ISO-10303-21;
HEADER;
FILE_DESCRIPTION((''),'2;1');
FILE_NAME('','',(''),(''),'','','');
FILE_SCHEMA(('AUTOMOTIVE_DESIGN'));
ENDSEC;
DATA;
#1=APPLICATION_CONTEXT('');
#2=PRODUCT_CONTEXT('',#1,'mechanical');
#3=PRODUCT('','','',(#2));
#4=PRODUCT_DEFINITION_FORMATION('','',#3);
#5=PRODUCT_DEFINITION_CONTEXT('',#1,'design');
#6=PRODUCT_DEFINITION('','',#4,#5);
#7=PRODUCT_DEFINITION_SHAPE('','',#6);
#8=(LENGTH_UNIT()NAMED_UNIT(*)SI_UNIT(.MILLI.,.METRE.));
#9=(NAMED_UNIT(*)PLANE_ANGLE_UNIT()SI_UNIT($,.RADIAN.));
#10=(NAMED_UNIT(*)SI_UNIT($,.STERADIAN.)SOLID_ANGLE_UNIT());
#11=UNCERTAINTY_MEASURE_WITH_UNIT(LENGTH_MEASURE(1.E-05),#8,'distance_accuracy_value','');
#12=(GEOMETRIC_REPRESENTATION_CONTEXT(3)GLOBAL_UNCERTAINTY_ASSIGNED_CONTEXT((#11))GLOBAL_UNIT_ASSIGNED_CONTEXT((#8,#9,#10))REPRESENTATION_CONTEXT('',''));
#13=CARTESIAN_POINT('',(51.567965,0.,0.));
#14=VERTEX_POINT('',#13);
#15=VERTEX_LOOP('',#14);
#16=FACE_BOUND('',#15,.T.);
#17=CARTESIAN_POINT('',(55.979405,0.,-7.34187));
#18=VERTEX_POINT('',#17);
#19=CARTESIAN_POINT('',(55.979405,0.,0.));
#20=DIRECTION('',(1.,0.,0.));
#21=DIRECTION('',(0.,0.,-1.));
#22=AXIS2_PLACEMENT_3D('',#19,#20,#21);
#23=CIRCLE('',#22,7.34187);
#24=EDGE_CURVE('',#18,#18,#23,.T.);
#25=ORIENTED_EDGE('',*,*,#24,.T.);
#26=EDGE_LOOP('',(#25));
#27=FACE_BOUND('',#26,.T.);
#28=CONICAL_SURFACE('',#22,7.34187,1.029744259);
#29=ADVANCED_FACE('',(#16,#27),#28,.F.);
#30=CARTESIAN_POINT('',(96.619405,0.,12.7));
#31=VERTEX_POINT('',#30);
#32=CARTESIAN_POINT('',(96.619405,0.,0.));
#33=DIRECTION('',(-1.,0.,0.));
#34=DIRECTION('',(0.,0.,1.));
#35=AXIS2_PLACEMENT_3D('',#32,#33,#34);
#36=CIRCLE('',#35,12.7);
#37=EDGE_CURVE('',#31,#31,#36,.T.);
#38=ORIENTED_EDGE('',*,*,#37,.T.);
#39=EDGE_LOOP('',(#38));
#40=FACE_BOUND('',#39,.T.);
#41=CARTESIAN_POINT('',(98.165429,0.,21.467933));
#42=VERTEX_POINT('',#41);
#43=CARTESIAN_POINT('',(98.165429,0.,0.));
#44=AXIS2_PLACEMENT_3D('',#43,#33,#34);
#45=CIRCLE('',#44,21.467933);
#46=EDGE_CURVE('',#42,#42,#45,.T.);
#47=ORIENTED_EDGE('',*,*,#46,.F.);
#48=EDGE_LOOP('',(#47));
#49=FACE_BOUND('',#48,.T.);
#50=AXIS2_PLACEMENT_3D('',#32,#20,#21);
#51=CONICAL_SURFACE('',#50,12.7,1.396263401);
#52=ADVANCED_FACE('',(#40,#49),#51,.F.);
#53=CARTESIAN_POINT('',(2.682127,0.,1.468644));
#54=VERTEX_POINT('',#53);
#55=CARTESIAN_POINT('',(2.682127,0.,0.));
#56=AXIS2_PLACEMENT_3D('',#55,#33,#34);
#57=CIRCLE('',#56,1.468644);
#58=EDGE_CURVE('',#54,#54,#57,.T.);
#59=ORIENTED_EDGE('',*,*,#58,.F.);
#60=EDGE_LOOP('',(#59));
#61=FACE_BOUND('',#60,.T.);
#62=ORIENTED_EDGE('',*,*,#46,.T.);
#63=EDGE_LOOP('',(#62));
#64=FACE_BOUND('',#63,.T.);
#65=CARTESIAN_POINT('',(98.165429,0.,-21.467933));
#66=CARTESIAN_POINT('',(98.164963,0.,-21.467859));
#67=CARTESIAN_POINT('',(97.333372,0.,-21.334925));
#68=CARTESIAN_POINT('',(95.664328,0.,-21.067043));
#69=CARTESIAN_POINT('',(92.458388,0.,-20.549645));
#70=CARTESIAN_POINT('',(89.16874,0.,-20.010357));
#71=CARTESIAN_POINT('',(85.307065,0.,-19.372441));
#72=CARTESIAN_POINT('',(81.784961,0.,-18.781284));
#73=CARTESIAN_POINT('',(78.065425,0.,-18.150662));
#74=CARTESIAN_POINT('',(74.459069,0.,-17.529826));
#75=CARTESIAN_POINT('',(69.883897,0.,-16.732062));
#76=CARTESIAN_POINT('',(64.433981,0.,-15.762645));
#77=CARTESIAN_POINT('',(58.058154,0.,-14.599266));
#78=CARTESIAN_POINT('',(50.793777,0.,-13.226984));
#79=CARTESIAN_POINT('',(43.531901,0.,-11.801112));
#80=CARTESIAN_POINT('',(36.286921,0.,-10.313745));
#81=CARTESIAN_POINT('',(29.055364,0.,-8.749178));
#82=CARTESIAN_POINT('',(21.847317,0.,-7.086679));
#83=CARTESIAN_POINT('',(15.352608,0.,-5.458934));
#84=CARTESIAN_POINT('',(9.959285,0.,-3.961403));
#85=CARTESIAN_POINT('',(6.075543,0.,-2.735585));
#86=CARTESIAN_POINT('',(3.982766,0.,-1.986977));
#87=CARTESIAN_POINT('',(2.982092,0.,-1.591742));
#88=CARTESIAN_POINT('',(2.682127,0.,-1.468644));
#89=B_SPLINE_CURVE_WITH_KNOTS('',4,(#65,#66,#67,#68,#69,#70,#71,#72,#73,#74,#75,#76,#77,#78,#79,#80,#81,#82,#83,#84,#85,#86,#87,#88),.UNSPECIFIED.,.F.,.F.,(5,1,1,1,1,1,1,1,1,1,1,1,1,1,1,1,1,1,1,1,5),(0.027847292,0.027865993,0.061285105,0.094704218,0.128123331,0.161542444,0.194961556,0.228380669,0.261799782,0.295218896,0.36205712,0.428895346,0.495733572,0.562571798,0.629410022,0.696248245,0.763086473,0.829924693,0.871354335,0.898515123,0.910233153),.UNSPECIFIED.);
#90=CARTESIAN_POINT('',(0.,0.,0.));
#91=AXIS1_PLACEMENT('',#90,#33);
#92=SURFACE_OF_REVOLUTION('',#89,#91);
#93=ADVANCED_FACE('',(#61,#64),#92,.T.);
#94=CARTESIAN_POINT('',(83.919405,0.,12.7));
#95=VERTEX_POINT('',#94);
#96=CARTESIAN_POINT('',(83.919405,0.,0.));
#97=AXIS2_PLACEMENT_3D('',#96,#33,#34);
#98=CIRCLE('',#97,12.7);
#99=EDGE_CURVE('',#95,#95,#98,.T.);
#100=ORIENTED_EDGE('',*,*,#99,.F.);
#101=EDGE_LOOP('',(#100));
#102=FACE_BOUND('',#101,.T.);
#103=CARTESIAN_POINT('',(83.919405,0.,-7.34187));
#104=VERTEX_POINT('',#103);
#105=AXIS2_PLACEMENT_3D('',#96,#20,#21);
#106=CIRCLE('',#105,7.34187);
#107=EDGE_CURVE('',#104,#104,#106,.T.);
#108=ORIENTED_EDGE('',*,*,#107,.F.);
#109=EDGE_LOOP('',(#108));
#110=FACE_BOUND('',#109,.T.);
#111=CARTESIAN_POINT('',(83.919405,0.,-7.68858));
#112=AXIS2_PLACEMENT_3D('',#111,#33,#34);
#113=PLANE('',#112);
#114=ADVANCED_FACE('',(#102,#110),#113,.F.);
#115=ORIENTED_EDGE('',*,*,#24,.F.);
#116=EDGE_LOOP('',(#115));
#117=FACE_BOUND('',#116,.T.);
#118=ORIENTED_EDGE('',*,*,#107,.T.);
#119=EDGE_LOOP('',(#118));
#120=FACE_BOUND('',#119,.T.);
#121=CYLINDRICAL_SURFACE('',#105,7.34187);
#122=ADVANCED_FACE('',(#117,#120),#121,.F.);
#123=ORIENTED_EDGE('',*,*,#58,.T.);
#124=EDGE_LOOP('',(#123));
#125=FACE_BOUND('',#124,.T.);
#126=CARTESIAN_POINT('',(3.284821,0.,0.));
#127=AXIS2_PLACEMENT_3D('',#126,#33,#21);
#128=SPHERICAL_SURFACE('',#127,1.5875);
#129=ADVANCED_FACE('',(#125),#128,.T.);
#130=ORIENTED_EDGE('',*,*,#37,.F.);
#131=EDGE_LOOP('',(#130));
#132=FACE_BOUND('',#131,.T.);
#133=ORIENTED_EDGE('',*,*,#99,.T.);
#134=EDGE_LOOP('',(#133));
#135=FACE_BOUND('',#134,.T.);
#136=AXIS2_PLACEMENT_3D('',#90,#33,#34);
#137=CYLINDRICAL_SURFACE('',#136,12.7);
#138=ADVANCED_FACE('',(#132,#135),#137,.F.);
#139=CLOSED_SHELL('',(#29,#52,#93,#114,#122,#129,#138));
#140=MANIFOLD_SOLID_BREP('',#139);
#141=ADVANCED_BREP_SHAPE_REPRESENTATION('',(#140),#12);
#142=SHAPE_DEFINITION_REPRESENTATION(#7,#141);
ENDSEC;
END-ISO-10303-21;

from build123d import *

# Parameters (mm, degrees)
TAPPED_HOLE_FOR_9_16_12_HELICOIL1_D     = 14.68374
TAPPED_HOLE_FOR_9_16_12_HELICOIL1_DEPTH = 27.94
TAPPED_HOLE_FOR_9_16_12_HELICOIL1_TIP   = 4.411440553


with BuildPart() as part:
    # Sketch1 → Revolve2 (revolve)
    with BuildSketch(Plane(origin=(0, 0, 0), x_dir=(1, 0, 0), z_dir=(0, 1, 0))):
        with BuildLine():
            Line((1.697321091, 0), (45.819405393, 0))
            Line((45.819405393, 0), (83.919405393, 0))
            Line((83.919405393, 0), (83.919405393, 7.68858))
            Line((83.919405393, 7.68858), (83.919405393, 12.7))
            Line((83.919405393, 12.7), (96.619405393, 12.7))
            Line((96.619405393, 12.7), (98.165428581, 21.4679332))
            add(Edge.make_bspline(
                [(2.682127148, 1.468644362), (2.982092127, 1.591742283), (3.982765764, 1.986976913), (6.075542743, 2.735585346), (9.959285205, 3.961402854), (15.35260807, 5.458934046), (21.847317263, 7.086678944), (29.055363889, 8.749177841), (36.286920774, 10.313744718), (43.531901048, 11.801111844), (50.793776988, 13.226984496), (58.058153921, 14.599266319), (64.433980883, 15.762645369), (69.883896781, 16.732062359), (74.459068804, 17.529825957), (78.065425347, 18.150661812), (81.784961377, 18.781283529), (85.307065103, 19.372441088), (89.168740248, 20.010357493), (92.45838759, 20.54964543), (95.664328261, 21.067043036), (97.333372349, 21.334925019), (98.164963492, 21.467858845), (98.165428581, 21.4679332)],
                knots=[0.027847292, 0.027847292, 0.027847292, 0.027847292, 0.027847292, 0.039565322, 0.06672611, 0.108155752, 0.174993972, 0.2418322, 0.308670423, 0.375508647, 0.442346873, 0.509185099, 0.576023325, 0.642861549, 0.676280662, 0.709699776, 0.743118888, 0.776538001, 0.809957114, 0.843376227, 0.87679534, 0.910214452, 0.910233153, 0.910233153, 0.910233153, 0.910233153, 0.910233153], degree=4))
            ThreePointArc((2.682127148, 1.468644362), (1.966311917, 0.884132234), (1.697321091, 0))
        make_face()
    revolve(axis=Axis((0, 0, 0), (1, 0, 0)))

    # Tapped Hole for 9/16-12 Helicoil1
    with Locations(Plane(origin=(83.919405393, 0, 0), x_dir=(0, 0, -1), z_dir=(1, 0, 0))):
        with Locations((0, 0)):
            Hole(TAPPED_HOLE_FOR_9_16_12_HELICOIL1_D / 2, depth=TAPPED_HOLE_FOR_9_16_12_HELICOIL1_DEPTH)
            with Locations((0, 0, -(TAPPED_HOLE_FOR_9_16_12_HELICOIL1_DEPTH + TAPPED_HOLE_FOR_9_16_12_HELICOIL1_TIP / 2))):  # 118° drill point
                Cone(0, TAPPED_HOLE_FOR_9_16_12_HELICOIL1_D / 2, TAPPED_HOLE_FOR_9_16_12_HELICOIL1_TIP, mode=Mode.SUBTRACT)


solid = part.part
